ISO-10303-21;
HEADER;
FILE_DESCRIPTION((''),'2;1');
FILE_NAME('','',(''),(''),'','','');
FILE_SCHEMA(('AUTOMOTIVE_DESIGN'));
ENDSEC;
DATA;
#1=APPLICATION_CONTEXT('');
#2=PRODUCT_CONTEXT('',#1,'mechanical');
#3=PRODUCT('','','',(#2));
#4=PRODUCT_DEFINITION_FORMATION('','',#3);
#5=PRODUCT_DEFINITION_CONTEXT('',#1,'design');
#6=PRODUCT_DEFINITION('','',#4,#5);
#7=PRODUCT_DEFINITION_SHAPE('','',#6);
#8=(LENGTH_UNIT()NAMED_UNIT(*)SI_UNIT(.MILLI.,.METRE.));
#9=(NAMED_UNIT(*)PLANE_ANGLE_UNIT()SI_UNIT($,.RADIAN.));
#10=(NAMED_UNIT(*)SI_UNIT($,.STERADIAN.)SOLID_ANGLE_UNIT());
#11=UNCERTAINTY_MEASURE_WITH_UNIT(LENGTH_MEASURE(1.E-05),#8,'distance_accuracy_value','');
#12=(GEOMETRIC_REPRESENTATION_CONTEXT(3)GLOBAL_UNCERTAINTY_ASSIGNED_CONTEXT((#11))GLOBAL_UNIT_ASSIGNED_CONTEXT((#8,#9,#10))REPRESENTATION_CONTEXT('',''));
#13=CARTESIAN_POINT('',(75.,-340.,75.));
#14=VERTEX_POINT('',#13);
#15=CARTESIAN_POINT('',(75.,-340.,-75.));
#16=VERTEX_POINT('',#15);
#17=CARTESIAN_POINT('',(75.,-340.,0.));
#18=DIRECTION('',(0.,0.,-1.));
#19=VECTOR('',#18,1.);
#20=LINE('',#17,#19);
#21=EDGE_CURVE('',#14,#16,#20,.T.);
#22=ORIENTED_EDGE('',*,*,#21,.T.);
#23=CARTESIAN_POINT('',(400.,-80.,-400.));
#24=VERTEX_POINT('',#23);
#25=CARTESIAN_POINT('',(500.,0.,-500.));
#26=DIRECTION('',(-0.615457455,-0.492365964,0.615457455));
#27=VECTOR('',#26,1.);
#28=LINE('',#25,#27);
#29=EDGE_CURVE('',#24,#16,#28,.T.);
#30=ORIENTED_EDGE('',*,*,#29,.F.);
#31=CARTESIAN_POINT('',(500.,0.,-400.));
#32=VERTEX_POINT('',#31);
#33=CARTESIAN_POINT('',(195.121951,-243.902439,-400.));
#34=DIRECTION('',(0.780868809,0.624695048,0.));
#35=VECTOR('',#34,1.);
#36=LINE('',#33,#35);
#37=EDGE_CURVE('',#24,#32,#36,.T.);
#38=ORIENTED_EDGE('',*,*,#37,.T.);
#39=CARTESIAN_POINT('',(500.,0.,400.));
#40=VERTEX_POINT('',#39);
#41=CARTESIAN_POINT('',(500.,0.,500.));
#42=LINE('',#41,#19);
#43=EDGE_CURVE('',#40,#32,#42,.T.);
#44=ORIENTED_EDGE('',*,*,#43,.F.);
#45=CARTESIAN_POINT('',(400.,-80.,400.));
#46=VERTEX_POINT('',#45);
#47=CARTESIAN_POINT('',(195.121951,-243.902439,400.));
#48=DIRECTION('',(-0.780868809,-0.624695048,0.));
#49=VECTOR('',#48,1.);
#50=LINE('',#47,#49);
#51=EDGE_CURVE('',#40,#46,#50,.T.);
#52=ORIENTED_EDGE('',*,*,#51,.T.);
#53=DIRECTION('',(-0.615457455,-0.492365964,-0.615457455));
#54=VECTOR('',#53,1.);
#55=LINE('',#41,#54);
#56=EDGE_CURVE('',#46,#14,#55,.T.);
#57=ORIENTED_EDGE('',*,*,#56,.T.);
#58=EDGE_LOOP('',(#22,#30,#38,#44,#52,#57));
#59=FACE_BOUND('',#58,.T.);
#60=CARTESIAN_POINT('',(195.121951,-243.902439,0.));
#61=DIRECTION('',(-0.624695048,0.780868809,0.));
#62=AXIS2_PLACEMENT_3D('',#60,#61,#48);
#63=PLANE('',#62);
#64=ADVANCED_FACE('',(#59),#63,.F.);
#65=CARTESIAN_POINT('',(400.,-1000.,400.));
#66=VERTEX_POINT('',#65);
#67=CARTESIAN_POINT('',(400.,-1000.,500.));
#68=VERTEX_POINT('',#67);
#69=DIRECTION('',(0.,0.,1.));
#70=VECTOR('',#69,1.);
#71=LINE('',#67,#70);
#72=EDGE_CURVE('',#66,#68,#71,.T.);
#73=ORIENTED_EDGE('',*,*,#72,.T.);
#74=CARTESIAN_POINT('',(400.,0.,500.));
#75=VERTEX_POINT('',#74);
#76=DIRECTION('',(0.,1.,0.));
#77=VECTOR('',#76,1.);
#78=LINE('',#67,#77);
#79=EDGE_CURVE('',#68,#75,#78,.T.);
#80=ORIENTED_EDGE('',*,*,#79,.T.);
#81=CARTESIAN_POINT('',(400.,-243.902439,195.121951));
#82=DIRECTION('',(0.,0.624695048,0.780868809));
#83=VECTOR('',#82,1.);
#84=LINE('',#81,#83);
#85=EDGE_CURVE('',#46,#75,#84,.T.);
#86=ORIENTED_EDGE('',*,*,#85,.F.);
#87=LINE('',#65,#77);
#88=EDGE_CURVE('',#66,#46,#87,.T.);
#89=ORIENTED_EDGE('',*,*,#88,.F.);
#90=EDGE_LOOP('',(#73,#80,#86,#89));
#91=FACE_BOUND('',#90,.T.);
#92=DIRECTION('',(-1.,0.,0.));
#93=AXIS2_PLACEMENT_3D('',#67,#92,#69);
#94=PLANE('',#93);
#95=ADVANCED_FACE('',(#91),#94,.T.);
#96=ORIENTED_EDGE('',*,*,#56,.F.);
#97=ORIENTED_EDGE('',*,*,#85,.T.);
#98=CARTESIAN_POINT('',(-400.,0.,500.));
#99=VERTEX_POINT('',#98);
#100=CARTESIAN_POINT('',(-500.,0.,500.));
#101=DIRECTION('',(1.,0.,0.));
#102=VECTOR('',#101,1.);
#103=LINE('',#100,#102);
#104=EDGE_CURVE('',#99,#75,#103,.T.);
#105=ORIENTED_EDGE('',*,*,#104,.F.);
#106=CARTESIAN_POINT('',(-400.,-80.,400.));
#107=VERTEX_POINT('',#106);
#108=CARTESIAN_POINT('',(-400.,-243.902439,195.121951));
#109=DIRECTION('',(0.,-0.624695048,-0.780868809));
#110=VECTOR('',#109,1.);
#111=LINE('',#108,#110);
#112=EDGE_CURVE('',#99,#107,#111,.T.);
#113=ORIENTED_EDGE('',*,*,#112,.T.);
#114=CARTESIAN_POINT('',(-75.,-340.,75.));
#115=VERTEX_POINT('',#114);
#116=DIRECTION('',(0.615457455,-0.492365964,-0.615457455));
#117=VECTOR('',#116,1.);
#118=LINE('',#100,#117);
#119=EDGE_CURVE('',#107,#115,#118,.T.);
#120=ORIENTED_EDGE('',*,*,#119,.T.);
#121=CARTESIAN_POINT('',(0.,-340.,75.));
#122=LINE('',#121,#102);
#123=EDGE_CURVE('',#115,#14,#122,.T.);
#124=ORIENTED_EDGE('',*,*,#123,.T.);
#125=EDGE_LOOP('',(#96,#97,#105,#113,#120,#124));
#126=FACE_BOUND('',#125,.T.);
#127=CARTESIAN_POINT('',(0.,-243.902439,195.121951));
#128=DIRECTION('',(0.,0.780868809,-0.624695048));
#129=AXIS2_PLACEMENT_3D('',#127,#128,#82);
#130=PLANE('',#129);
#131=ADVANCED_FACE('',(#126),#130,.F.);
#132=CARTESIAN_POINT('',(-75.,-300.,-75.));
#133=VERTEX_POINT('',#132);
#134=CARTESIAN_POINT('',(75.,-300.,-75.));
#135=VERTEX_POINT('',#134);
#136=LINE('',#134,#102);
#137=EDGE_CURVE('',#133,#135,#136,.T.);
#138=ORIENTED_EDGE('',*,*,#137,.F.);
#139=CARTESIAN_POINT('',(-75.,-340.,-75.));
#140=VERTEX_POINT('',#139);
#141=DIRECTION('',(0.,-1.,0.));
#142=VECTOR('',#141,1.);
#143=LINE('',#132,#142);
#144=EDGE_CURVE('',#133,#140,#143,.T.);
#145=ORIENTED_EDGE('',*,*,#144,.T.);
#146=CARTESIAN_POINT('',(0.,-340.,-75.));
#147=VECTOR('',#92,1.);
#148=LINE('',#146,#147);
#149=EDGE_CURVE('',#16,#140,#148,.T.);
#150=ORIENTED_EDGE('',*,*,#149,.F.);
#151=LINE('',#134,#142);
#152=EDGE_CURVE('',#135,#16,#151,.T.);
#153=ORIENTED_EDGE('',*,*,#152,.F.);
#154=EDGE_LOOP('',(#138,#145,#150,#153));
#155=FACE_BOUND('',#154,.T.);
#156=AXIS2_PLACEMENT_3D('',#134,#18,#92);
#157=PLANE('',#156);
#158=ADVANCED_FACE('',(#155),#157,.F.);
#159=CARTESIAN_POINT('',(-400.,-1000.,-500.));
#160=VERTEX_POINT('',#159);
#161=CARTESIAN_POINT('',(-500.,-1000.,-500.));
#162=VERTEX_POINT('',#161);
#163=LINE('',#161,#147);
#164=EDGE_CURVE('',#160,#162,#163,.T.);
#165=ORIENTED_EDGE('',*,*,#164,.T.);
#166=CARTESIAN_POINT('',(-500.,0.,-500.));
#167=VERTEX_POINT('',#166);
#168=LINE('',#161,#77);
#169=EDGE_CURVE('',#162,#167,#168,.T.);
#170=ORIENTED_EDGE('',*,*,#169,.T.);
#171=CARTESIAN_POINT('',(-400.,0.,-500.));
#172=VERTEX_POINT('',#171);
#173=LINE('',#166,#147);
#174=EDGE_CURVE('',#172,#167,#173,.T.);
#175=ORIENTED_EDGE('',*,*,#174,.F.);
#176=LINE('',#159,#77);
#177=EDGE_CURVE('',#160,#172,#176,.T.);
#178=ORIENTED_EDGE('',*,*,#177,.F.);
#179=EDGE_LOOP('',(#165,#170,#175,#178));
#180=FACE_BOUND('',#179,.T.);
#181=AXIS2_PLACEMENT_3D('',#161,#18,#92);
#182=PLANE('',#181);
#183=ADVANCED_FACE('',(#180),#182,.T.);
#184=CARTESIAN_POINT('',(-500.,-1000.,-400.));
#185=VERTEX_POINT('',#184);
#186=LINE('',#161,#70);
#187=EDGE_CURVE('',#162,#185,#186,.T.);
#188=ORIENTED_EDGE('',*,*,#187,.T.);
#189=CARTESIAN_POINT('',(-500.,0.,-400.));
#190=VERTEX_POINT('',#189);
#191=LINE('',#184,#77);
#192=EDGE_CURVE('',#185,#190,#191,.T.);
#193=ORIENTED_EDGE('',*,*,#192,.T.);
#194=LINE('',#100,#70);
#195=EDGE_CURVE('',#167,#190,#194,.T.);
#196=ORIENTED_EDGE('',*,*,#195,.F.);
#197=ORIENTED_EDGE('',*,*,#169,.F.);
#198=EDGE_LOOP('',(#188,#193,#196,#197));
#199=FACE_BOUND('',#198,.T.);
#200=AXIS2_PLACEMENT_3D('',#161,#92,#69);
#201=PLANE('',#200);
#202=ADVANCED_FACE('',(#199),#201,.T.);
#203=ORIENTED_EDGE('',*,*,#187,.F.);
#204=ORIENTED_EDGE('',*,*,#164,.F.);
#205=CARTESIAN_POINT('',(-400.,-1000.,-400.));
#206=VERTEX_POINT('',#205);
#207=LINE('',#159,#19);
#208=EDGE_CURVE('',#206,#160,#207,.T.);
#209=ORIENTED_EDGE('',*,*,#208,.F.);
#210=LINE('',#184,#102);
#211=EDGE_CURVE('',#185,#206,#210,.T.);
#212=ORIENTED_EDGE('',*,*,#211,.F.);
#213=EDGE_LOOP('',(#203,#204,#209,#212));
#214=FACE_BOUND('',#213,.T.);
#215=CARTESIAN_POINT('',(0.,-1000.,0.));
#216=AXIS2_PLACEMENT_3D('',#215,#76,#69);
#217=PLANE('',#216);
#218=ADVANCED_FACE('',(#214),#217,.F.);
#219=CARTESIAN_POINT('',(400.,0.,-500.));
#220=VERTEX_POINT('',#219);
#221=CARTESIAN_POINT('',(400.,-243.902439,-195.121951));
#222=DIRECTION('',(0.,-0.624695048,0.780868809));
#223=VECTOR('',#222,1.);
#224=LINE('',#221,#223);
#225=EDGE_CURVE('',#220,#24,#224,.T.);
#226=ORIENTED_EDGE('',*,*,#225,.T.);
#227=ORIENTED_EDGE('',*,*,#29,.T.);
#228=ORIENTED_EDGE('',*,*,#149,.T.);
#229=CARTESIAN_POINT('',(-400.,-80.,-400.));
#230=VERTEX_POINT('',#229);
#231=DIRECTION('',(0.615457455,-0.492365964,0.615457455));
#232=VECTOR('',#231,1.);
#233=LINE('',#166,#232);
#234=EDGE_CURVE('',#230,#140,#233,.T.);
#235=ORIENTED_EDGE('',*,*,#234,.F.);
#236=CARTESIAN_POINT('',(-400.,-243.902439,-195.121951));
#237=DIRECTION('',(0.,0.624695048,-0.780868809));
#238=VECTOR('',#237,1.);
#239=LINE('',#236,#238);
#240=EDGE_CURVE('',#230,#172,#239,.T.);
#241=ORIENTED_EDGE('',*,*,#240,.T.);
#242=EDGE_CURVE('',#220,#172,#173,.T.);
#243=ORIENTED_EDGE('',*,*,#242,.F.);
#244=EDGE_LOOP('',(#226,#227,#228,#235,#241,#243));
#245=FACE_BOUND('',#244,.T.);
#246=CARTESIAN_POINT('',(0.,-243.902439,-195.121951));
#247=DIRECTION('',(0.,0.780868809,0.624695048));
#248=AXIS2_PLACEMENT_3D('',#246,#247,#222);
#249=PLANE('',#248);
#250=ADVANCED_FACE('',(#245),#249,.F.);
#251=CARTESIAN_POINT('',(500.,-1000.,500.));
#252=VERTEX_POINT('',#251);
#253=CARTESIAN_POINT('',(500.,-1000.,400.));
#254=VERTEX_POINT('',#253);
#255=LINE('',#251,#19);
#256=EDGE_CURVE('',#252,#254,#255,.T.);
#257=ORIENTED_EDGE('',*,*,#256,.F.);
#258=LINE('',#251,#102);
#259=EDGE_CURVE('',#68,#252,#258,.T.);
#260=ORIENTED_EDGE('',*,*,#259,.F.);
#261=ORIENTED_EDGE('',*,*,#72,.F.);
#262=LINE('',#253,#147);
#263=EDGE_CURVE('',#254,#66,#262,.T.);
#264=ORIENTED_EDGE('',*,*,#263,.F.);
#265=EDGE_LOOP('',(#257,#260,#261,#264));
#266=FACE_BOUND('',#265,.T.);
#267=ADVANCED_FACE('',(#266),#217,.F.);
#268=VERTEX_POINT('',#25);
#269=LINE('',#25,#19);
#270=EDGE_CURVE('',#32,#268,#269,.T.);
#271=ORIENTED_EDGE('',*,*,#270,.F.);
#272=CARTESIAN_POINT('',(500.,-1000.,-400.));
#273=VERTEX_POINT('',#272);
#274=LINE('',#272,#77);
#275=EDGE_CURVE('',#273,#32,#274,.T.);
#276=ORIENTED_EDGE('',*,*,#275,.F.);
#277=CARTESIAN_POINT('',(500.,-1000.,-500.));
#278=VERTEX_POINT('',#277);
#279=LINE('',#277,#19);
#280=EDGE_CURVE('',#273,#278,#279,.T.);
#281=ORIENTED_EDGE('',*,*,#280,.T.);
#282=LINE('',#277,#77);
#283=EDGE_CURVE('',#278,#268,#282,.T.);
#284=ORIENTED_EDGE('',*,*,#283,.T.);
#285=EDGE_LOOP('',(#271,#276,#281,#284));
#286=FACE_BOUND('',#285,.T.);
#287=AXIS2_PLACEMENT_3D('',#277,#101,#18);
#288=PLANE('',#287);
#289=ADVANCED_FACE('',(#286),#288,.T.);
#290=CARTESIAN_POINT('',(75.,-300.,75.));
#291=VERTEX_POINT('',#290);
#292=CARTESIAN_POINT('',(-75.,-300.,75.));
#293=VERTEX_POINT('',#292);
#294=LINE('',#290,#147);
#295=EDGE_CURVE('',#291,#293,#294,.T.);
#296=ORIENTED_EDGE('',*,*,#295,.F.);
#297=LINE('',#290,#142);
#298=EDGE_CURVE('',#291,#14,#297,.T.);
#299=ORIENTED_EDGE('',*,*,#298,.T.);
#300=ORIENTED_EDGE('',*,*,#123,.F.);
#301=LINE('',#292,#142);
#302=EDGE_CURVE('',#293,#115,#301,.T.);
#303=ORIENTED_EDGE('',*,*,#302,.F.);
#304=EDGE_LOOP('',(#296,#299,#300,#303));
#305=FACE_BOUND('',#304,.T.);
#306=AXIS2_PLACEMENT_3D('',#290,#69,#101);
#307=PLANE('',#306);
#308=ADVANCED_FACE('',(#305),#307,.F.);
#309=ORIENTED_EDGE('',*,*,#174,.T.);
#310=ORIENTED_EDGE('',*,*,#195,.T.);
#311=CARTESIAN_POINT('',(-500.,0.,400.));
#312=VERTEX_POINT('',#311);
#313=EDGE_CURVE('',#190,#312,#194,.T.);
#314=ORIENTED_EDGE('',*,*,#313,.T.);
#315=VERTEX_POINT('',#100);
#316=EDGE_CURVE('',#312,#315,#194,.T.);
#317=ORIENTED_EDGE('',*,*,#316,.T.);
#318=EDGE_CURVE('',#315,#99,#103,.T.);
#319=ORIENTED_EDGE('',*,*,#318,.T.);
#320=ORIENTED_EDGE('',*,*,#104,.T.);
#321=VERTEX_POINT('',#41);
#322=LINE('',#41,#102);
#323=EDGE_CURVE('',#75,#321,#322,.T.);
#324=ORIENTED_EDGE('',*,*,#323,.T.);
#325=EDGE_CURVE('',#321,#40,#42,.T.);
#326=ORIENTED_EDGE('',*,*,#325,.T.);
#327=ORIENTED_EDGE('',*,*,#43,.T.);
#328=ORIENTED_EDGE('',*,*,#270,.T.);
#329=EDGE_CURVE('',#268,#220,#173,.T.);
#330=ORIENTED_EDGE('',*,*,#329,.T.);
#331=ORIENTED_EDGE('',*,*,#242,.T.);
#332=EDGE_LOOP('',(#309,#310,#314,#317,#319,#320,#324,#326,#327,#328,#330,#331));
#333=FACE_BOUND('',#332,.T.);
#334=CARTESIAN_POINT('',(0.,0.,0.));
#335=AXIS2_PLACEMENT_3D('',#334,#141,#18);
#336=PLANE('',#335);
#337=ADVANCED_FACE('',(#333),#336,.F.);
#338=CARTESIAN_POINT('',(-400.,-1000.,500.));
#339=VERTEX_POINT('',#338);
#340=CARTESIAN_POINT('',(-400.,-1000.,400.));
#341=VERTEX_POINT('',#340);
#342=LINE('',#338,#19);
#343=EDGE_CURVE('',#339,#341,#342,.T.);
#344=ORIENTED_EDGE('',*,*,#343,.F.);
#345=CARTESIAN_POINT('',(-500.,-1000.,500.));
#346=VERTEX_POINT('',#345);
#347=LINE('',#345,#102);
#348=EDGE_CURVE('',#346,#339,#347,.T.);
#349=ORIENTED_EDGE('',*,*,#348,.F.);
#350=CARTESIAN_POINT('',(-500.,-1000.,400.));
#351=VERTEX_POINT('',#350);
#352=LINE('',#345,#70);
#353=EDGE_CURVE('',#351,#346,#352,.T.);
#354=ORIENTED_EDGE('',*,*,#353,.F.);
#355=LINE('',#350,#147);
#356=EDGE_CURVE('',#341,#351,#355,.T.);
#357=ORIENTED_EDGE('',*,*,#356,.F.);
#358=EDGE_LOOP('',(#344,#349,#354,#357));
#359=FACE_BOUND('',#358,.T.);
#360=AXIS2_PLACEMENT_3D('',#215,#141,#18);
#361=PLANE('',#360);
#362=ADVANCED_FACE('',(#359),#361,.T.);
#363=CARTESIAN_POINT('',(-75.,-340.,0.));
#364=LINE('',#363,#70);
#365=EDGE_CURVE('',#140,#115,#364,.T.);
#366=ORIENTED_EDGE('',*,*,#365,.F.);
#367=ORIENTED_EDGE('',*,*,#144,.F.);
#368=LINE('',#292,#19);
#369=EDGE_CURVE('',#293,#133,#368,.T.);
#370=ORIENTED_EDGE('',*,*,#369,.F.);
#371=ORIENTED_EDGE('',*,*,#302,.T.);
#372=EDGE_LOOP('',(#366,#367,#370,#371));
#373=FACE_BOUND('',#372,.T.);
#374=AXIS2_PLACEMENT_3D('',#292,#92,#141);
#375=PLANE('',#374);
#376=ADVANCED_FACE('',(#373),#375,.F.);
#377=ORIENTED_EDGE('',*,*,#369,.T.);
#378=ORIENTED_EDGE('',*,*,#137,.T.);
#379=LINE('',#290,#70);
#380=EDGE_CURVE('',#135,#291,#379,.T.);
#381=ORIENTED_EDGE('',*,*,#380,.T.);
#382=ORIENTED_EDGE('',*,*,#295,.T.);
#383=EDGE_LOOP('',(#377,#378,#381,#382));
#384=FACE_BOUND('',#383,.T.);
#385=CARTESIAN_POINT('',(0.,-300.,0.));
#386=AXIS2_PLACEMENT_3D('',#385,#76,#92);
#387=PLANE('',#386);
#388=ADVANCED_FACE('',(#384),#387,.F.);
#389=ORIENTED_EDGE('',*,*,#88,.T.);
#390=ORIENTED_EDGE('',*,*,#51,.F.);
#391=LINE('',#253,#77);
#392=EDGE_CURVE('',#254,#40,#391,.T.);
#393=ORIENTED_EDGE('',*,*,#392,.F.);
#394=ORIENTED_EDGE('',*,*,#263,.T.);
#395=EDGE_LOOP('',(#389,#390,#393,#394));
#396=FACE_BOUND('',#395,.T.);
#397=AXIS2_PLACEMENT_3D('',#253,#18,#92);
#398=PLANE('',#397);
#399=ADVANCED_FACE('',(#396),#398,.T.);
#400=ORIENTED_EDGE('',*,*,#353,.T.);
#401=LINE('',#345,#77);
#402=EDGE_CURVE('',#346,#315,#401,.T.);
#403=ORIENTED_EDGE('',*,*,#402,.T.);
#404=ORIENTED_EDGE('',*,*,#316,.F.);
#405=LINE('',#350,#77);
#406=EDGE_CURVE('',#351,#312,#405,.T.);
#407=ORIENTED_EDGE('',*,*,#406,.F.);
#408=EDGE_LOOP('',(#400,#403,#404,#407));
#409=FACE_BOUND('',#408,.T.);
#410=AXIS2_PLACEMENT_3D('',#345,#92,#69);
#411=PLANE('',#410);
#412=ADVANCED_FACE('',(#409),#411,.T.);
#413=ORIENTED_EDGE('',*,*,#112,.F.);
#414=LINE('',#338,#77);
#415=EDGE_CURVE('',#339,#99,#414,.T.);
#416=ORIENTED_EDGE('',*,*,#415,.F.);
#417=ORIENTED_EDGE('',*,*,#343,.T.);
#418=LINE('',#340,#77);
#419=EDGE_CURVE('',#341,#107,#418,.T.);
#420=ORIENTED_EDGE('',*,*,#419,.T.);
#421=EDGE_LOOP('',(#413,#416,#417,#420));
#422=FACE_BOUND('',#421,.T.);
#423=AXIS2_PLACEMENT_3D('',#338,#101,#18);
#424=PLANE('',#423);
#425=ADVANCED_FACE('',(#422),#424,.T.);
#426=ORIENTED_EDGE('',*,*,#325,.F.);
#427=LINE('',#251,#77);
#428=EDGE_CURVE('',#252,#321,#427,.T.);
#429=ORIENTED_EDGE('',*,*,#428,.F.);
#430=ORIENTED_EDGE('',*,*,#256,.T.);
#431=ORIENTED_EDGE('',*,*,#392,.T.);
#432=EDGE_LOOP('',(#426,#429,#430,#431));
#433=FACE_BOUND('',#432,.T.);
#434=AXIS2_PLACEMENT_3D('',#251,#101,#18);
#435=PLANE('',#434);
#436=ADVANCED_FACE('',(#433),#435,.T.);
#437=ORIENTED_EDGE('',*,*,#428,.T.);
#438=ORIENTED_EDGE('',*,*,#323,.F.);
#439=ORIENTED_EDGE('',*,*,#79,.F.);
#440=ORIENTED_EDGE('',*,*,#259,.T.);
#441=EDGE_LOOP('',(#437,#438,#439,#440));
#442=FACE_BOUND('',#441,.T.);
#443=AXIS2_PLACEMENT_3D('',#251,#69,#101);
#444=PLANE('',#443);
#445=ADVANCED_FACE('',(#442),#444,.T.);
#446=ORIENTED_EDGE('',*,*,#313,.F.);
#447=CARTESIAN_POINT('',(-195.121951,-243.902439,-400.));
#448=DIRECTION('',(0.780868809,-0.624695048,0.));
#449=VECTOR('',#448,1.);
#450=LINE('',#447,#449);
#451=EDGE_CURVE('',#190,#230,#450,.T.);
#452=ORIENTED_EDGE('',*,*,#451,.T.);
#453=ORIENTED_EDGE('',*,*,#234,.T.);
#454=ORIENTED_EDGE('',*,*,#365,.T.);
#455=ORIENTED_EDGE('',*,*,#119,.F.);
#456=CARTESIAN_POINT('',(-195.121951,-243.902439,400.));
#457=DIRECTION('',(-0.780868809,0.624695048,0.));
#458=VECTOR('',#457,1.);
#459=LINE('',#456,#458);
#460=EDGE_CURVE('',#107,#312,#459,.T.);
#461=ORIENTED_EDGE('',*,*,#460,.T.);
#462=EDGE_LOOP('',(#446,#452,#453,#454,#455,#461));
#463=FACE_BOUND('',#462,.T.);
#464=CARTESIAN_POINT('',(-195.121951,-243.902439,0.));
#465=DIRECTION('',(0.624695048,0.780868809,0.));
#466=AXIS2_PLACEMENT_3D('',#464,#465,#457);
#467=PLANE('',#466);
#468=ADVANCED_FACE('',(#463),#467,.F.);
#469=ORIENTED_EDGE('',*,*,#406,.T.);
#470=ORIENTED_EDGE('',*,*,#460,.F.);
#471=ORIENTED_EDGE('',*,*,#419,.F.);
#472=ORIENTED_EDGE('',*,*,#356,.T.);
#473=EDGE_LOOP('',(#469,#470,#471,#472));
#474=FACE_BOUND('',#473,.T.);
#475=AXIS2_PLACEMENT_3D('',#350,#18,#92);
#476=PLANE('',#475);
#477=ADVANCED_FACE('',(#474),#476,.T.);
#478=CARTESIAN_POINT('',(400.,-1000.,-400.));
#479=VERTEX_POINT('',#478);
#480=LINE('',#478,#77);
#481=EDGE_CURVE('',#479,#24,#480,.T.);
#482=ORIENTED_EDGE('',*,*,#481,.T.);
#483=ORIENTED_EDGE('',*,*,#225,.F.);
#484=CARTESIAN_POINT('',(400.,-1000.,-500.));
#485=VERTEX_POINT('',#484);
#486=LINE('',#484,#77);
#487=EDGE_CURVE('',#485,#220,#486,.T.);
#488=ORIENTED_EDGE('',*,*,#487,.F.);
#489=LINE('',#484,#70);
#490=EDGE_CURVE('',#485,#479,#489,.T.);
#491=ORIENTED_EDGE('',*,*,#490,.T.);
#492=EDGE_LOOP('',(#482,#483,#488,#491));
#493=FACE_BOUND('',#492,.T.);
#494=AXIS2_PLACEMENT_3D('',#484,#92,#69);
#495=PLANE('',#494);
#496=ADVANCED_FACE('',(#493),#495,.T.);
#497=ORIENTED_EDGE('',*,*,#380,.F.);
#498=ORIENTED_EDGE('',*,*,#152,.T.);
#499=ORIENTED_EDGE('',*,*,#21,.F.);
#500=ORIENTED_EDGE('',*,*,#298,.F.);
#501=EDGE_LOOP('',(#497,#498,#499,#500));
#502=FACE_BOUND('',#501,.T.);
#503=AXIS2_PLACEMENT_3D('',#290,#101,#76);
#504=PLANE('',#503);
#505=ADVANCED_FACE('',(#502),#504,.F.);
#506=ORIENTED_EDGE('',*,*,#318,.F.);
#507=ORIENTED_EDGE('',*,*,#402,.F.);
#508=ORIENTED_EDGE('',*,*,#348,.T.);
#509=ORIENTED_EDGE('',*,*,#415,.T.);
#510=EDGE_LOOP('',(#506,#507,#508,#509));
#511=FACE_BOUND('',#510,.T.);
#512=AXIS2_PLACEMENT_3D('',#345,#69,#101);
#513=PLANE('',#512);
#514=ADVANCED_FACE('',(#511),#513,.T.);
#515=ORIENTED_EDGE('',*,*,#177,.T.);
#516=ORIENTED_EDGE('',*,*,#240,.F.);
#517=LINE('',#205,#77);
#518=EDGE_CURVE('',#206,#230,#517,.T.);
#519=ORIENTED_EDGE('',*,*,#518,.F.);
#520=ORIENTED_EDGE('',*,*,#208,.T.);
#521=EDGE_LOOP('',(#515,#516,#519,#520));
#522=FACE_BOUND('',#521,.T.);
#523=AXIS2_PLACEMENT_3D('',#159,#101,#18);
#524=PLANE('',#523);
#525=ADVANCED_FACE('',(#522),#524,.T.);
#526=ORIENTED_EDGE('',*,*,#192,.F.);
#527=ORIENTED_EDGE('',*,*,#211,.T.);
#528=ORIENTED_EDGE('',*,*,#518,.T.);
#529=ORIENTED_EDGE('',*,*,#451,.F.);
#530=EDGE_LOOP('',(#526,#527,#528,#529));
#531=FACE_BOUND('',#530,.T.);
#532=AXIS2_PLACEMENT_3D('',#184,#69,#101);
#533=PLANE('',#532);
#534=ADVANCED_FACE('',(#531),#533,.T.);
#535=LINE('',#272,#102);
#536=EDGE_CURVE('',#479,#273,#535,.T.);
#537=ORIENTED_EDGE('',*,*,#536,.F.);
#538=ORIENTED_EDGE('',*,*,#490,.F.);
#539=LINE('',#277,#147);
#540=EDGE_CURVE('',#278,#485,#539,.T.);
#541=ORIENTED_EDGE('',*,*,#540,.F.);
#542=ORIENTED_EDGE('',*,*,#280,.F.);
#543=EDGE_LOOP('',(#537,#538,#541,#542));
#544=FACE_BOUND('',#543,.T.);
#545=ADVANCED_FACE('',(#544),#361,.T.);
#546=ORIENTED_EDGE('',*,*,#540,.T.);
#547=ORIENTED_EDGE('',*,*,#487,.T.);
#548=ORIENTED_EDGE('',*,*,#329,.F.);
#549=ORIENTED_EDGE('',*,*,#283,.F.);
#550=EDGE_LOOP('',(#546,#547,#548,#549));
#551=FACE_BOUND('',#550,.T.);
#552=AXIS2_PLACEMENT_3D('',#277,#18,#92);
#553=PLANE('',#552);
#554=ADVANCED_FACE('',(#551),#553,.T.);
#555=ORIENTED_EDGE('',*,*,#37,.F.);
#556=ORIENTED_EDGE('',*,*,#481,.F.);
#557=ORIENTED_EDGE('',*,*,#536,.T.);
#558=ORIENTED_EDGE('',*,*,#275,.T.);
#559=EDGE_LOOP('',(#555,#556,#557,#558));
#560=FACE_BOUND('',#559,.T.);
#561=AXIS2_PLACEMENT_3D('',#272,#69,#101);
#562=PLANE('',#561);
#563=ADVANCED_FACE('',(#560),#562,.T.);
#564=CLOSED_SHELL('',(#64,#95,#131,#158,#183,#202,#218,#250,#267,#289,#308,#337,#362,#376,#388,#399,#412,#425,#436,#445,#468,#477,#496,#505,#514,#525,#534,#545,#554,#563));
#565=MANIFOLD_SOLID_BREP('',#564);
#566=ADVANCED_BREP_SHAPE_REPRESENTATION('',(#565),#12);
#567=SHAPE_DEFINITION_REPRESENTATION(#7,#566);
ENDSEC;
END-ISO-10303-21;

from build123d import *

# Parameters (mm, degrees)
SKETCH5_W           = 150
SKETCH5_H           = 150
CUT_EXTRUDE1_DEPTH  = 100
SKETCH6_W           = 100
SKETCH6_H           = 100
BOSS_EXTRUDE1_DEPTH = 1000


with BuildPart() as part:
    # Sketch1 → Loft1 section 0
    with BuildSketch(Plane(origin=(0, 0, 0), x_dir=(1, 0, 0), z_dir=(0, 1, 0)), mode=Mode.PRIVATE) as loft1_s0:
        with BuildLine():
            Line((-500, -500), (500, -500))
            Line((500, -500), (500, 500))
            Line((500, 500), (-500, 500))
            Line((-500, 500), (-500, -500))
        make_face()
    loft([loft1_s0.sketch, Vertex(0, -400, 0)])

    # Sketch5 → Cut-Extrude1 (cut)
    with BuildSketch(Plane(origin=(0, -400, 0), x_dir=(-1, 0, 0), z_dir=(0, -1, 0))):
        Rectangle(SKETCH5_W, SKETCH5_H)
    extrude(amount=-CUT_EXTRUDE1_DEPTH, mode=Mode.SUBTRACT)

    # Sketch6 → Boss-Extrude1 (add)
    with BuildSketch(Plane(origin=(0, 0, 0), x_dir=(1, 0, 0), z_dir=(0, 1, 0))):
        with Locations((-450, 450)):
            Rectangle(SKETCH6_W, SKETCH6_H)
        with Locations((450, 450)):
            Rectangle(SKETCH6_W, SKETCH6_H)
        with Locations((-450, -450)):
            Rectangle(SKETCH6_W, SKETCH6_H)
        with Locations((450, -450)):
            Rectangle(SKETCH6_W, SKETCH6_H)
    extrude(amount=-BOSS_EXTRUDE1_DEPTH)


solid = part.part
